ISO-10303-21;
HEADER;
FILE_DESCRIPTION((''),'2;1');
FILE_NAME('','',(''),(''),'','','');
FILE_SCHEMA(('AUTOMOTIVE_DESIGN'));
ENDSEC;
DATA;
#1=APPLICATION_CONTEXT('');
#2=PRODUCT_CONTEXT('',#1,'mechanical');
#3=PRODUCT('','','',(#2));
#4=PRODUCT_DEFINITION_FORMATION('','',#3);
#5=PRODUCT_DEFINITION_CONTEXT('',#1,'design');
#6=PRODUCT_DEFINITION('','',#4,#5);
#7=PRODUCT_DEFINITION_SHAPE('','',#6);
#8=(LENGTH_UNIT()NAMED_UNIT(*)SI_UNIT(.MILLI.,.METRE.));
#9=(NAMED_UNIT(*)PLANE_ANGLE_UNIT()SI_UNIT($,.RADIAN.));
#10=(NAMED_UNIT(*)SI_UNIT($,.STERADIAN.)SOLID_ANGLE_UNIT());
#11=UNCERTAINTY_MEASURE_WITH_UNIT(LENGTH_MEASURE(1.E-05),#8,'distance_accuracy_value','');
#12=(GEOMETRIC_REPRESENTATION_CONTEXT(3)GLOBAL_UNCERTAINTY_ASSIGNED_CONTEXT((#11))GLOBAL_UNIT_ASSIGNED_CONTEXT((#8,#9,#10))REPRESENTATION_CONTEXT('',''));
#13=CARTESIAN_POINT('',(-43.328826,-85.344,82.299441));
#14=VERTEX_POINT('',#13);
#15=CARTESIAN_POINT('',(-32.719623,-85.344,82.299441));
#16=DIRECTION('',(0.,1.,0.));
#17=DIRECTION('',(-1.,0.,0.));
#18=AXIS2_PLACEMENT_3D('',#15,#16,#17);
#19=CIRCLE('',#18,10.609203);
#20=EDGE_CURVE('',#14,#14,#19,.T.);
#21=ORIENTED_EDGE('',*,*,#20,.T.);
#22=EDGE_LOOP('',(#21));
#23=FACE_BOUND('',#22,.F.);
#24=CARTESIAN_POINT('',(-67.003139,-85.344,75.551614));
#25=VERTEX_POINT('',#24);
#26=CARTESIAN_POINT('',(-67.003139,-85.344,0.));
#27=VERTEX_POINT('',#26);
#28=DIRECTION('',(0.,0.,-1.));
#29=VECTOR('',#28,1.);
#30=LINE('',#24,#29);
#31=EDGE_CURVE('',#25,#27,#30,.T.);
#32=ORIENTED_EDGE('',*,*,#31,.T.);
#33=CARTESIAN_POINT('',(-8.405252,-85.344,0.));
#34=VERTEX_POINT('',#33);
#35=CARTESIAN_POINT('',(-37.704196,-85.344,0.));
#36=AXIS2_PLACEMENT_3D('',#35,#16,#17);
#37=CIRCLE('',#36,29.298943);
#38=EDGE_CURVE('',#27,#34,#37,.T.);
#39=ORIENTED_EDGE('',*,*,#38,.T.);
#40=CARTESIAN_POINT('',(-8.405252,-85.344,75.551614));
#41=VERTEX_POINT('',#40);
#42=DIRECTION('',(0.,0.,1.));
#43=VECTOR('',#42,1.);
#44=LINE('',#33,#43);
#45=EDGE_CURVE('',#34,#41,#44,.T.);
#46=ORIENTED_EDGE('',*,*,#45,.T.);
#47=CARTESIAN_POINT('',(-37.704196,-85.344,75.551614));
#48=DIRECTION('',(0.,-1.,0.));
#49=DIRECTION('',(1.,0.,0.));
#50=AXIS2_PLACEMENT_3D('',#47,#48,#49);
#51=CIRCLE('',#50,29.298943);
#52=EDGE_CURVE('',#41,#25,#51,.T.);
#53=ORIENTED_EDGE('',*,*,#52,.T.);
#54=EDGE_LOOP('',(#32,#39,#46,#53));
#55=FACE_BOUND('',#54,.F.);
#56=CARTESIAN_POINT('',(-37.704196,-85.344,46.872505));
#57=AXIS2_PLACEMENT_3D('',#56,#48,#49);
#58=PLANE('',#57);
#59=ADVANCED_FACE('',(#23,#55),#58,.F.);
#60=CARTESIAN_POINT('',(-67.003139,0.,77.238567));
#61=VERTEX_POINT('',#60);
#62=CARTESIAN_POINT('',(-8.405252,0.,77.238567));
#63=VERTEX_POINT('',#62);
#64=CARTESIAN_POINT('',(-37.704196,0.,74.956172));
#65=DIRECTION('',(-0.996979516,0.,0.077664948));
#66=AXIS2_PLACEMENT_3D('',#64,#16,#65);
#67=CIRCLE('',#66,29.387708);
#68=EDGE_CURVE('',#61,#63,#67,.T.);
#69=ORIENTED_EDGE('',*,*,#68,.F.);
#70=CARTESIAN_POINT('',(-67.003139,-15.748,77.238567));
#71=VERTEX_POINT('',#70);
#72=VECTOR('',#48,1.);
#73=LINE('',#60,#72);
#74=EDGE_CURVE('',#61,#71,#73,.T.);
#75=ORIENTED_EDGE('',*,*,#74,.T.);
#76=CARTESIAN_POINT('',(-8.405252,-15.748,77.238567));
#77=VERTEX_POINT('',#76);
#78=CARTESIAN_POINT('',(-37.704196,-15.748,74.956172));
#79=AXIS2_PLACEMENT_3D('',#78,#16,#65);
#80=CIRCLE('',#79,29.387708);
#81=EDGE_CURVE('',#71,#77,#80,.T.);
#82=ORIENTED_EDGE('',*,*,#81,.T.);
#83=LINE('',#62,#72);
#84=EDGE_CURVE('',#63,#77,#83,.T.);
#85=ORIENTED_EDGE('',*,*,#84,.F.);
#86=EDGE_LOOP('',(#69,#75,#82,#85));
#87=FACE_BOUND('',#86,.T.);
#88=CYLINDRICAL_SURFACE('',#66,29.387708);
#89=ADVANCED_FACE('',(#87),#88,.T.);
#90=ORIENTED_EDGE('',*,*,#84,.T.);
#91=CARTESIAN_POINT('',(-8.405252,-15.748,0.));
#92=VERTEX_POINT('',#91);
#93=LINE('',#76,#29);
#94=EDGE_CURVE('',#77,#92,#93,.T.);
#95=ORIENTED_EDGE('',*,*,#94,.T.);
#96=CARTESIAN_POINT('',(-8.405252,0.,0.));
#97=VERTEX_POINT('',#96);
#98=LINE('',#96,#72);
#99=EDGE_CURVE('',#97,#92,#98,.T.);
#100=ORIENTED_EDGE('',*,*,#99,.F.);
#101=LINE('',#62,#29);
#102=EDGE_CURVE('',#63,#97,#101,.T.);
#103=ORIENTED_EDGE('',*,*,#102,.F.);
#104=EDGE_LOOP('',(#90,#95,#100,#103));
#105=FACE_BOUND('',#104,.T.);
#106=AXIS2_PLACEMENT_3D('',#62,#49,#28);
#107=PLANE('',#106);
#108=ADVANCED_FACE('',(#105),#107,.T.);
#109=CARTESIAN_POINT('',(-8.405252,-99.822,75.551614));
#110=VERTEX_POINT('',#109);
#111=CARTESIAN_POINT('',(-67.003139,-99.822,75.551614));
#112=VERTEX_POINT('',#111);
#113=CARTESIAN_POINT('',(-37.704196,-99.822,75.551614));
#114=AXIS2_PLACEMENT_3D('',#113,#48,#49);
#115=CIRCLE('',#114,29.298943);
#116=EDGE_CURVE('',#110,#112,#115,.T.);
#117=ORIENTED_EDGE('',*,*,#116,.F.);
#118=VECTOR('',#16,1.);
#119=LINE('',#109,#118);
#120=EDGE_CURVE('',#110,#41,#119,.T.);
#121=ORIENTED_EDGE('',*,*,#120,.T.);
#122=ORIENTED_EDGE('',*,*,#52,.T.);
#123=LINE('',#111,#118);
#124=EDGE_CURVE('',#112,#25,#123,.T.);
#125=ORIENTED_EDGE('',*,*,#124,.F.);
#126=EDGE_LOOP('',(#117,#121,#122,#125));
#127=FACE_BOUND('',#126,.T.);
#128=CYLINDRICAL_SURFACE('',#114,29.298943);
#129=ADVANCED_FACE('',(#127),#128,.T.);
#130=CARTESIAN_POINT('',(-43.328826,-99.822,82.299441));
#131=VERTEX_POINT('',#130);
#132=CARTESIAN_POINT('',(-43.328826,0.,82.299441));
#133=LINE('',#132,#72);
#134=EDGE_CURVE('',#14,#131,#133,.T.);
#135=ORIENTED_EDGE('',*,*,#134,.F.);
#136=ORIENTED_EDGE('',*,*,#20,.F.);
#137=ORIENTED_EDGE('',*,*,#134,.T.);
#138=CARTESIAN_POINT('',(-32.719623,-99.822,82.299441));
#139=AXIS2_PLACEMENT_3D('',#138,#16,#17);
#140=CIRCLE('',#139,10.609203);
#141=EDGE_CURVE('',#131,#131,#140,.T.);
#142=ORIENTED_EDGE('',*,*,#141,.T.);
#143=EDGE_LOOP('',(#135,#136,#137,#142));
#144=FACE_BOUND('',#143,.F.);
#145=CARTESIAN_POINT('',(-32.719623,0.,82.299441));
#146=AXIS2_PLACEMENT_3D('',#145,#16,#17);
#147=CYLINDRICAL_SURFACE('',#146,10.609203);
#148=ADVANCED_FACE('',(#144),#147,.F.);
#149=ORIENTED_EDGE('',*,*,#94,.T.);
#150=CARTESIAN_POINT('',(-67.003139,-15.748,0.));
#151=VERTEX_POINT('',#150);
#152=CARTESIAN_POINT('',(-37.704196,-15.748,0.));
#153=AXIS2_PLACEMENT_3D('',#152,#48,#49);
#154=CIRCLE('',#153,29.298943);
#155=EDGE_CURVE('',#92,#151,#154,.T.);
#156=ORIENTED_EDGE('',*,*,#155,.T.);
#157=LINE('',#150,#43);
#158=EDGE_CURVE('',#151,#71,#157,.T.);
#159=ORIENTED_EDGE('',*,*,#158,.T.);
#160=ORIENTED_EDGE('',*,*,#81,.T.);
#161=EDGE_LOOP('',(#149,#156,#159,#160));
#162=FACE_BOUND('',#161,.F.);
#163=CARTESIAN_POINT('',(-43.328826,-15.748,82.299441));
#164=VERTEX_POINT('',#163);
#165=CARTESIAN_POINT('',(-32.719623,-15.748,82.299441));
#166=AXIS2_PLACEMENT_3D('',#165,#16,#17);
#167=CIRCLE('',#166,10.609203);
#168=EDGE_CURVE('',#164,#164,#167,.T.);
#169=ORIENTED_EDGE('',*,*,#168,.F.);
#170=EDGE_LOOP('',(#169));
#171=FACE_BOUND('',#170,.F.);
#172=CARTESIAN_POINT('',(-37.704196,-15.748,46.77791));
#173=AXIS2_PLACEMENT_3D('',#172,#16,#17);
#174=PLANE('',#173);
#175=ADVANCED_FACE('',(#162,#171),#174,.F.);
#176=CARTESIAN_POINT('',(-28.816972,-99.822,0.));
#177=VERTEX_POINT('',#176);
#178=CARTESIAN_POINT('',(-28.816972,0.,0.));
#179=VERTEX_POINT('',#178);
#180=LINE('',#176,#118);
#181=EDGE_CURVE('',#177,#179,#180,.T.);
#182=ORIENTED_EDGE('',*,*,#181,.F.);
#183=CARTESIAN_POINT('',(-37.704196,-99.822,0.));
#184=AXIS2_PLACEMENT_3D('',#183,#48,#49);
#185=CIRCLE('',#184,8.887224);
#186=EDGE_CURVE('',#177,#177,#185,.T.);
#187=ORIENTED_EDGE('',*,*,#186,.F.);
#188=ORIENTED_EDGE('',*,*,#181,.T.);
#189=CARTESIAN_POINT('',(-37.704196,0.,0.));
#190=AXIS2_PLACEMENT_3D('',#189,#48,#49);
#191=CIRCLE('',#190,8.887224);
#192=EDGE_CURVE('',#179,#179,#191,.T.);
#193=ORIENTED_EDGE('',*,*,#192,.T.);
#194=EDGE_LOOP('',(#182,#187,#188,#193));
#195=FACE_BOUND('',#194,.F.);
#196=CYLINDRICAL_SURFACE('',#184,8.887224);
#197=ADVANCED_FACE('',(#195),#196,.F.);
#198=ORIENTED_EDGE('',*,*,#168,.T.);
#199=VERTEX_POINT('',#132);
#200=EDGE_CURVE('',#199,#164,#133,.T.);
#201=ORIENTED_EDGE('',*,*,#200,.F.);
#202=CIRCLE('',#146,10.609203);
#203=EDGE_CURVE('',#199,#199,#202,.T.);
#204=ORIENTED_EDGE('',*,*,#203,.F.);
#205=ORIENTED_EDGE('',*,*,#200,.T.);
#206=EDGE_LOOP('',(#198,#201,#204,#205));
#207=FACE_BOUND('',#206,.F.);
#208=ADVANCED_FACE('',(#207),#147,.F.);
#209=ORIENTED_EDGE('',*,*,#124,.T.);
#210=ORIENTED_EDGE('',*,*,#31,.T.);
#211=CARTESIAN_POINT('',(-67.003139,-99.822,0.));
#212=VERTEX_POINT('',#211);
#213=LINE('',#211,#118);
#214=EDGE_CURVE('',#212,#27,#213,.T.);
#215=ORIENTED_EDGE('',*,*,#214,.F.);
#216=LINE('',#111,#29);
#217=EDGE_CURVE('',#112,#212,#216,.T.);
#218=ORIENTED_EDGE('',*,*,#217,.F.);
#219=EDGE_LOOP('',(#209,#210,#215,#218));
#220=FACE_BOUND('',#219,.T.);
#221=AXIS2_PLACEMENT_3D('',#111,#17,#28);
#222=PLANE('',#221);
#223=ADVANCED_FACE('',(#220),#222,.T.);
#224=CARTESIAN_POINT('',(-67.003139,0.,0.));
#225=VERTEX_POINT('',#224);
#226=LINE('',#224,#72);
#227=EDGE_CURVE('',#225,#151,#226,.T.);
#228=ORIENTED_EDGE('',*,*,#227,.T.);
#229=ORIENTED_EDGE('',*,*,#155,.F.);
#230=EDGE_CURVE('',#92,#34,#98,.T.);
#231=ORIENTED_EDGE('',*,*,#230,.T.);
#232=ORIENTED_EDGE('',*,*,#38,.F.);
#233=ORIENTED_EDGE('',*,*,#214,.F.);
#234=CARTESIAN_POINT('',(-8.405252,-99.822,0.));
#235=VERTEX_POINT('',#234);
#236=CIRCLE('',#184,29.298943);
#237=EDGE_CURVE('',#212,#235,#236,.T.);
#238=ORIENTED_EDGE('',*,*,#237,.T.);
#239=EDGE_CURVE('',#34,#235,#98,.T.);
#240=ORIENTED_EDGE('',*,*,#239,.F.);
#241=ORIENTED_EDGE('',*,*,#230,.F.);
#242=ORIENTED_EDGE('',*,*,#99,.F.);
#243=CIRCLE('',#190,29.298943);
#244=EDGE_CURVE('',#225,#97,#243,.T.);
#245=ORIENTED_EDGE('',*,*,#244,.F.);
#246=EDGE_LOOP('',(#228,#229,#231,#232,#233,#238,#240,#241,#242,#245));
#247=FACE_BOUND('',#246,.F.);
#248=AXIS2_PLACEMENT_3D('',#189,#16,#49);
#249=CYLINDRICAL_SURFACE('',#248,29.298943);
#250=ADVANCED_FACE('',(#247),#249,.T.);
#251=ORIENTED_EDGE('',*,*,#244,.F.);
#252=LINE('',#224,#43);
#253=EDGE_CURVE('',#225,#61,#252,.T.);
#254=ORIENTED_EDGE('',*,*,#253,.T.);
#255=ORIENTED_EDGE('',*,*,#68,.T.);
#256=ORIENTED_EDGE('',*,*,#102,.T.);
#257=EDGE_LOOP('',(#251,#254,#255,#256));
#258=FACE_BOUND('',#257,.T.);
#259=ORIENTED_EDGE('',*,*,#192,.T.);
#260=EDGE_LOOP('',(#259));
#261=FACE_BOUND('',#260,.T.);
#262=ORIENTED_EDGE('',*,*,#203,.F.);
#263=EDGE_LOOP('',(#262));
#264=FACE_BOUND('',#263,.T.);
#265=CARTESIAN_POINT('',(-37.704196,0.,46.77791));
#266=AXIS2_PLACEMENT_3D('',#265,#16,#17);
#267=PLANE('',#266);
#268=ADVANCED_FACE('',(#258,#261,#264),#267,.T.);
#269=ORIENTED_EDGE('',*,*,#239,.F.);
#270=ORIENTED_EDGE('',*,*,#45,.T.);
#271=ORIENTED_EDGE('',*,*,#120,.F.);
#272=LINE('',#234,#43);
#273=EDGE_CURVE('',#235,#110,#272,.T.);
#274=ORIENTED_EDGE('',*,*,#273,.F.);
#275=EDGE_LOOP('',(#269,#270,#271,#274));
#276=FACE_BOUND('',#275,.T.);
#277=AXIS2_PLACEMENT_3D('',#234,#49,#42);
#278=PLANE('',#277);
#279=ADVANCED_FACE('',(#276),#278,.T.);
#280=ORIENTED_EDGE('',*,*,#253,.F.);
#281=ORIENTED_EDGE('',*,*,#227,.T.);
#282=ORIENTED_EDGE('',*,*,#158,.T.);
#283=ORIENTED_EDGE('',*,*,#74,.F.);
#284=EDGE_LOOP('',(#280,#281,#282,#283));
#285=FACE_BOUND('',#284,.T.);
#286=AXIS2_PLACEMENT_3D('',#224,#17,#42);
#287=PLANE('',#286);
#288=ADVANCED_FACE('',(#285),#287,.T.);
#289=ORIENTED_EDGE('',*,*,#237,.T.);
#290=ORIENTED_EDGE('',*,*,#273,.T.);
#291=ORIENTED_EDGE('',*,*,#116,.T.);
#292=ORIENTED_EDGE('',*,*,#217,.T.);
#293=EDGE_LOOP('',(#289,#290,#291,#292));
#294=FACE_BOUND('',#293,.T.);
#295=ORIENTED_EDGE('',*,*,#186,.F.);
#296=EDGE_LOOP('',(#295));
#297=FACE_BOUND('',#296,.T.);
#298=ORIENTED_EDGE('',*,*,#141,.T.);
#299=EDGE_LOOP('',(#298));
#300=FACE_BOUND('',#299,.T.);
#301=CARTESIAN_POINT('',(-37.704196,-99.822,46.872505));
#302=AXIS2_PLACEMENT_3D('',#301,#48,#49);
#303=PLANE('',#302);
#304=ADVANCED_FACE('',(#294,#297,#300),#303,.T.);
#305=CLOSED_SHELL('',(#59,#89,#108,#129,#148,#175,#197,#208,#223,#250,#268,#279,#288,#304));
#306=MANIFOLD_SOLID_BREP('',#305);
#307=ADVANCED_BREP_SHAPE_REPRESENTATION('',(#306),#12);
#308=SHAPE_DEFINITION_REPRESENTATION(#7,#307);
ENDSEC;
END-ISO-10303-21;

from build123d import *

# Parameters (mm, degrees)
F0_R     = 29.2989433696
F1_DEPTH = 99.822
F2_R     = 8.887223807
F3_DEPTH = 120.904
F5_DEPTH = 14.478
F7_DEPTH = 15.748
F8_R     = 10.6092029908
F9_DEPTH = 149.352


with BuildPart() as f1:
    # F0 (on Front) → F1 (new body)
    with BuildSketch(Plane.XZ):
        with Locations((-37.7041958272, 0)):
            Circle(F0_R)
    extrude(amount=F1_DEPTH)

    # F2 (on face) → F3 (cut)
    with BuildSketch(Plane.XZ.offset(99.822)):
        with Locations((-37.7041958272, 0)):
            Circle(F2_R)
    extrude(amount=-F3_DEPTH, mode=Mode.SUBTRACT)

    # F4 (on face) → F5 (join)
    with BuildSketch(Plane.XZ.offset(99.822)):
        with BuildLine():
            Line((-67.0031391968, 75.5516141653), (-67.0031391968, 0))
            ThreePointArc((-67.0031391968, 0), (-37.7041958272, 29.2989433696), (-8.4052524577, 0))
            Line((-8.4052524577, 0), (-8.4052524577, 75.5516141653))
            ThreePointArc((-8.4052524577, 75.5516141653), (-37.7041958272, 104.8505575349), (-67.0031391968, 75.5516141653))
        make_face()
    extrude(amount=-F5_DEPTH)

    # F6 (on face) → F7 (join)
    with BuildSketch(Plane(origin=(0, 0, 0), x_dir=(-1, 0, 0), z_dir=(0, 1, 0))):
        with BuildLine():
            Line((8.4052524577, 77.2385671735), (8.4052524577, 0))
            ThreePointArc((8.4052524577, 0), (37.7041958272, 29.2989433696), (67.0031391968, 0))
            Line((67.0031391968, 0), (67.0031391968, 77.2385671735))
            ThreePointArc((67.0031391968, 77.2385671735), (37.7041958272, 104.3438807805), (8.4052524577, 77.2385671735))
        make_face()
    extrude(amount=-F7_DEPTH)

    # F8 (on face) → F9 (cut)
    with BuildSketch(Plane(origin=(0, 0, 0), x_dir=(-1, 0, 0), z_dir=(0, 1, 0))):
        with Locations((32.7196232975, 82.2994410992)):
            Circle(F8_R)
    extrude(amount=-F9_DEPTH, mode=Mode.SUBTRACT)


solid = f1.part
